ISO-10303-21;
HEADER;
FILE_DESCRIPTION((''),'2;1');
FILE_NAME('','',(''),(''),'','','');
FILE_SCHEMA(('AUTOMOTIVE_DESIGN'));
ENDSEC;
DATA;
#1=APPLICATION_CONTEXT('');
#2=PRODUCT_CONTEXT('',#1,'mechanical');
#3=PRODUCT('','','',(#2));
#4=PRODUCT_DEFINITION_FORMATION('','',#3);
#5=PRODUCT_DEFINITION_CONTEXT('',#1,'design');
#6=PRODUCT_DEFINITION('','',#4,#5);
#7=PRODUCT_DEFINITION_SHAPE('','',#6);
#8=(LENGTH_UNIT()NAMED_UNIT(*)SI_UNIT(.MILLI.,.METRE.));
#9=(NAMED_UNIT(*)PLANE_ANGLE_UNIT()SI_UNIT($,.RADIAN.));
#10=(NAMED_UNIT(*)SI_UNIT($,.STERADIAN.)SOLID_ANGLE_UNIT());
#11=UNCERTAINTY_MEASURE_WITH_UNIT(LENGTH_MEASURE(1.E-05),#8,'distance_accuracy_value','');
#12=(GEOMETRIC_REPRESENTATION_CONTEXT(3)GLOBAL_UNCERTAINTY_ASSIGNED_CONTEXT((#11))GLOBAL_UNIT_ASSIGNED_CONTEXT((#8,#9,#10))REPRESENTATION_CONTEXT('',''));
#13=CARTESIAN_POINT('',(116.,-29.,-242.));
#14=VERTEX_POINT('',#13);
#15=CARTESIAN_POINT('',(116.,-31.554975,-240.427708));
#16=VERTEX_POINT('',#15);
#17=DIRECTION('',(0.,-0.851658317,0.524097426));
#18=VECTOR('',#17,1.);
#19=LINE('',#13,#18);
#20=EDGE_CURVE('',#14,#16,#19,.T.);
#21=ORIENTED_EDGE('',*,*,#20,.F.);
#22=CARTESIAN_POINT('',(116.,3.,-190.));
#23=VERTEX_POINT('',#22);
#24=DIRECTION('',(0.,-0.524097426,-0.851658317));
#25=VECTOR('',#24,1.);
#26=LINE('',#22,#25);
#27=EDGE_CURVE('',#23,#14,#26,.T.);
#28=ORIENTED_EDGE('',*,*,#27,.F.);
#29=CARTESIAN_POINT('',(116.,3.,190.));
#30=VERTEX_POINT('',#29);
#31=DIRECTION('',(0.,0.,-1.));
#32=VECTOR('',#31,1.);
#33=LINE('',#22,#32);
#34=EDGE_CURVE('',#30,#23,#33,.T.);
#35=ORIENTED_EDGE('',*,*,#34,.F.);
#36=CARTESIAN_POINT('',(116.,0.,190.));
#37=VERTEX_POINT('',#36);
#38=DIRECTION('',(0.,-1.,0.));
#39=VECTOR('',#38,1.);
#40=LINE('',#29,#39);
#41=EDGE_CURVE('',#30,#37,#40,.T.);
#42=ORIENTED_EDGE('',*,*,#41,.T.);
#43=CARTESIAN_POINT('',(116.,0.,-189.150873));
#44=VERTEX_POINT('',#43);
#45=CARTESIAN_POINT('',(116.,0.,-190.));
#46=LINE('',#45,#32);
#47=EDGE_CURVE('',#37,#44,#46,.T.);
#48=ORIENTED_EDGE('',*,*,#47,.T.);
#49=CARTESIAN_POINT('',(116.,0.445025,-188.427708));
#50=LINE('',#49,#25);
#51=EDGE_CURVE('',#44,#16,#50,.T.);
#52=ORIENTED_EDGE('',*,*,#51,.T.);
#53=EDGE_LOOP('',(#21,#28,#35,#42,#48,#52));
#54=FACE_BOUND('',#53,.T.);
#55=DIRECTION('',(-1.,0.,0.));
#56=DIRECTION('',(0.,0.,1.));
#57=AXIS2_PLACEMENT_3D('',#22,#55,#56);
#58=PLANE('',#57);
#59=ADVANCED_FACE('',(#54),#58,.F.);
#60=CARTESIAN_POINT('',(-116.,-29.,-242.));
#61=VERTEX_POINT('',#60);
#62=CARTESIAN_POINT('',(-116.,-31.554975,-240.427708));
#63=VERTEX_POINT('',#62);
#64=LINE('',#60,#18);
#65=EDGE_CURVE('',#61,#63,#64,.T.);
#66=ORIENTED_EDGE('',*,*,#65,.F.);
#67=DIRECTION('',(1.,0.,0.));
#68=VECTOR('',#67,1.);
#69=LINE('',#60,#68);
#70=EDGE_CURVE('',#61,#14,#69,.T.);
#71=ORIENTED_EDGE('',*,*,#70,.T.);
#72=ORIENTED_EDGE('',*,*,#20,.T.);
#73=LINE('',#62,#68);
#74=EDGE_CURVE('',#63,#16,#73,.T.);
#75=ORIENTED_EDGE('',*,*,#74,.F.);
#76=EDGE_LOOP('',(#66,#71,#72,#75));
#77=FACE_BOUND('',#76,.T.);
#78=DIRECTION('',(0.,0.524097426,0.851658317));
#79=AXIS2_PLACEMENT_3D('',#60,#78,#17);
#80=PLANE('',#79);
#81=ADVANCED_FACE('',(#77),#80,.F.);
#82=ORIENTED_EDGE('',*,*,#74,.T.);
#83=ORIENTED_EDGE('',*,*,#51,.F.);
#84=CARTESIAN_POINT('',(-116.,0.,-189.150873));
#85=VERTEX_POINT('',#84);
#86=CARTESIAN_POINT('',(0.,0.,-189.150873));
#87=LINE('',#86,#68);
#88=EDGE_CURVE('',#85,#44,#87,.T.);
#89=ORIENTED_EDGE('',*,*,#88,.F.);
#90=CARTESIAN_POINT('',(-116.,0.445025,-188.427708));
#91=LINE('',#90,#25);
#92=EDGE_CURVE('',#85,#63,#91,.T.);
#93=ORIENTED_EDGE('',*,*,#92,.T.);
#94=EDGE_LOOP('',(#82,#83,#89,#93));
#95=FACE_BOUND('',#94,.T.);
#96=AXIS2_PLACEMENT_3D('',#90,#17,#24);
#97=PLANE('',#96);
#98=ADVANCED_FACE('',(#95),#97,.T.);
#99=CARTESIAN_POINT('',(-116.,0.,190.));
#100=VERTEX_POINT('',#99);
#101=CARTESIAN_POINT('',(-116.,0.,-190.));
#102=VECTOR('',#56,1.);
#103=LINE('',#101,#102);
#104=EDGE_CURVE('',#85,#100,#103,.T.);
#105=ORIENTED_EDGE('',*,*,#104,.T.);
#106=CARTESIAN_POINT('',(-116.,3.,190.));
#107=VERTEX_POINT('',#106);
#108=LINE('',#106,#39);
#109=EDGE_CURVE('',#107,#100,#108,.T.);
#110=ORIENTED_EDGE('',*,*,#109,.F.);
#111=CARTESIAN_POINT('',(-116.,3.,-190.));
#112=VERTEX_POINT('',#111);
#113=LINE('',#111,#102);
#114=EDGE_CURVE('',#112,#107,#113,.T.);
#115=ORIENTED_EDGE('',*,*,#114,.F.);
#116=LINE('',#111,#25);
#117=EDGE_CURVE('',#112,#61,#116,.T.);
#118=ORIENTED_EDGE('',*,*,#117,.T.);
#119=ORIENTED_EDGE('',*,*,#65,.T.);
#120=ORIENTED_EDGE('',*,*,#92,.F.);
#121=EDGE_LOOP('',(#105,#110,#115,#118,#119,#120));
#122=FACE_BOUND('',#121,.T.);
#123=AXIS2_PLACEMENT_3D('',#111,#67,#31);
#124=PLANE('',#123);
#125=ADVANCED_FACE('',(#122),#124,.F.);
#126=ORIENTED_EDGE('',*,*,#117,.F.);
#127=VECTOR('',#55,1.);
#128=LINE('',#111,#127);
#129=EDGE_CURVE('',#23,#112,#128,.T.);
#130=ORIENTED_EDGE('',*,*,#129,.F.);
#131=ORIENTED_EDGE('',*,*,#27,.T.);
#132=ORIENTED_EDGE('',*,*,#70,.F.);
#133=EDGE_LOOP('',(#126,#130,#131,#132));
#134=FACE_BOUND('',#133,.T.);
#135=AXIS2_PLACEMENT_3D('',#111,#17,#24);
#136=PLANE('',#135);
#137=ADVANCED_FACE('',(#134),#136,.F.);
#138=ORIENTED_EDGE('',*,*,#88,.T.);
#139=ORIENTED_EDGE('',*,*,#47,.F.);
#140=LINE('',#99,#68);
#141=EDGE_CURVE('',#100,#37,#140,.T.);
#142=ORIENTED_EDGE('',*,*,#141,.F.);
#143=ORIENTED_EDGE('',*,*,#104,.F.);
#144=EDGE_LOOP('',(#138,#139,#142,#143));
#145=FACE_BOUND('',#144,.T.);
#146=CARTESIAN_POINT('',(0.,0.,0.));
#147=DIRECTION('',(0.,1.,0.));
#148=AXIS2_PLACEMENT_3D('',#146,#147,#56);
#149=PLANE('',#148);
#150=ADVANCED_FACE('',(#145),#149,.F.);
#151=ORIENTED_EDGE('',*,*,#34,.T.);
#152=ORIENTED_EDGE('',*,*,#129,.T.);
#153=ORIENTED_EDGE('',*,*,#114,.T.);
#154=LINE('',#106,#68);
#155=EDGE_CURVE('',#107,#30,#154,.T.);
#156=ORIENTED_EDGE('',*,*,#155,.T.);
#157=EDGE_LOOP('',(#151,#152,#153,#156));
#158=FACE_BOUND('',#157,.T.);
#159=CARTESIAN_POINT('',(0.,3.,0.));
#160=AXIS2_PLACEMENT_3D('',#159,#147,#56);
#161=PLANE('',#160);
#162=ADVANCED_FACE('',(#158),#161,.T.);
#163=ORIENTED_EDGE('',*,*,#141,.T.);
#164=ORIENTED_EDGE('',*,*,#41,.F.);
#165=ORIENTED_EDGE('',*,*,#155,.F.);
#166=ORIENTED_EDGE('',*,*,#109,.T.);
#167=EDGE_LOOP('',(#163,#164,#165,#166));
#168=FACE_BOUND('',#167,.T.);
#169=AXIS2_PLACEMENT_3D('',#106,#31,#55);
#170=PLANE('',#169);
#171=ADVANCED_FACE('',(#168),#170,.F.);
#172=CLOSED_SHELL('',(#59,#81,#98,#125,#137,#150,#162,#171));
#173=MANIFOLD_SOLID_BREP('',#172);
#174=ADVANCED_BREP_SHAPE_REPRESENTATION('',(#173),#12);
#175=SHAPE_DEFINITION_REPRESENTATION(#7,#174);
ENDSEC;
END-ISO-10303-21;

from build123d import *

# Parameters (mm, degrees)
SKETCH1_W           = 232
SKETCH1_H           = 380
BOSS_EXTRUDE1_DEPTH = 3
EXTRUDE_THIN1_DEPTH = 232


with BuildPart() as part:
    # Sketch1 → Boss-Extrude1 (new body)
    with BuildSketch(Plane(origin=(0, 0, 0), x_dir=(1, 0, 0), z_dir=(0, 1, 0))):
        Rectangle(SKETCH1_W, SKETCH1_H)
    extrude(amount=BOSS_EXTRUDE1_DEPTH)

    # Sketch5 → Extrude-Thin1 (add)
    with BuildSketch(Plane(origin=(116, 0, 0), x_dir=(0, 0, -1), z_dir=(1, 0, 0))):
        Polygon((190, 3), (242, -29), (240.427707723, -31.55497495), (188.427707723, 0.44502505), align=None)
    extrude(amount=-EXTRUDE_THIN1_DEPTH)


solid = part.part
